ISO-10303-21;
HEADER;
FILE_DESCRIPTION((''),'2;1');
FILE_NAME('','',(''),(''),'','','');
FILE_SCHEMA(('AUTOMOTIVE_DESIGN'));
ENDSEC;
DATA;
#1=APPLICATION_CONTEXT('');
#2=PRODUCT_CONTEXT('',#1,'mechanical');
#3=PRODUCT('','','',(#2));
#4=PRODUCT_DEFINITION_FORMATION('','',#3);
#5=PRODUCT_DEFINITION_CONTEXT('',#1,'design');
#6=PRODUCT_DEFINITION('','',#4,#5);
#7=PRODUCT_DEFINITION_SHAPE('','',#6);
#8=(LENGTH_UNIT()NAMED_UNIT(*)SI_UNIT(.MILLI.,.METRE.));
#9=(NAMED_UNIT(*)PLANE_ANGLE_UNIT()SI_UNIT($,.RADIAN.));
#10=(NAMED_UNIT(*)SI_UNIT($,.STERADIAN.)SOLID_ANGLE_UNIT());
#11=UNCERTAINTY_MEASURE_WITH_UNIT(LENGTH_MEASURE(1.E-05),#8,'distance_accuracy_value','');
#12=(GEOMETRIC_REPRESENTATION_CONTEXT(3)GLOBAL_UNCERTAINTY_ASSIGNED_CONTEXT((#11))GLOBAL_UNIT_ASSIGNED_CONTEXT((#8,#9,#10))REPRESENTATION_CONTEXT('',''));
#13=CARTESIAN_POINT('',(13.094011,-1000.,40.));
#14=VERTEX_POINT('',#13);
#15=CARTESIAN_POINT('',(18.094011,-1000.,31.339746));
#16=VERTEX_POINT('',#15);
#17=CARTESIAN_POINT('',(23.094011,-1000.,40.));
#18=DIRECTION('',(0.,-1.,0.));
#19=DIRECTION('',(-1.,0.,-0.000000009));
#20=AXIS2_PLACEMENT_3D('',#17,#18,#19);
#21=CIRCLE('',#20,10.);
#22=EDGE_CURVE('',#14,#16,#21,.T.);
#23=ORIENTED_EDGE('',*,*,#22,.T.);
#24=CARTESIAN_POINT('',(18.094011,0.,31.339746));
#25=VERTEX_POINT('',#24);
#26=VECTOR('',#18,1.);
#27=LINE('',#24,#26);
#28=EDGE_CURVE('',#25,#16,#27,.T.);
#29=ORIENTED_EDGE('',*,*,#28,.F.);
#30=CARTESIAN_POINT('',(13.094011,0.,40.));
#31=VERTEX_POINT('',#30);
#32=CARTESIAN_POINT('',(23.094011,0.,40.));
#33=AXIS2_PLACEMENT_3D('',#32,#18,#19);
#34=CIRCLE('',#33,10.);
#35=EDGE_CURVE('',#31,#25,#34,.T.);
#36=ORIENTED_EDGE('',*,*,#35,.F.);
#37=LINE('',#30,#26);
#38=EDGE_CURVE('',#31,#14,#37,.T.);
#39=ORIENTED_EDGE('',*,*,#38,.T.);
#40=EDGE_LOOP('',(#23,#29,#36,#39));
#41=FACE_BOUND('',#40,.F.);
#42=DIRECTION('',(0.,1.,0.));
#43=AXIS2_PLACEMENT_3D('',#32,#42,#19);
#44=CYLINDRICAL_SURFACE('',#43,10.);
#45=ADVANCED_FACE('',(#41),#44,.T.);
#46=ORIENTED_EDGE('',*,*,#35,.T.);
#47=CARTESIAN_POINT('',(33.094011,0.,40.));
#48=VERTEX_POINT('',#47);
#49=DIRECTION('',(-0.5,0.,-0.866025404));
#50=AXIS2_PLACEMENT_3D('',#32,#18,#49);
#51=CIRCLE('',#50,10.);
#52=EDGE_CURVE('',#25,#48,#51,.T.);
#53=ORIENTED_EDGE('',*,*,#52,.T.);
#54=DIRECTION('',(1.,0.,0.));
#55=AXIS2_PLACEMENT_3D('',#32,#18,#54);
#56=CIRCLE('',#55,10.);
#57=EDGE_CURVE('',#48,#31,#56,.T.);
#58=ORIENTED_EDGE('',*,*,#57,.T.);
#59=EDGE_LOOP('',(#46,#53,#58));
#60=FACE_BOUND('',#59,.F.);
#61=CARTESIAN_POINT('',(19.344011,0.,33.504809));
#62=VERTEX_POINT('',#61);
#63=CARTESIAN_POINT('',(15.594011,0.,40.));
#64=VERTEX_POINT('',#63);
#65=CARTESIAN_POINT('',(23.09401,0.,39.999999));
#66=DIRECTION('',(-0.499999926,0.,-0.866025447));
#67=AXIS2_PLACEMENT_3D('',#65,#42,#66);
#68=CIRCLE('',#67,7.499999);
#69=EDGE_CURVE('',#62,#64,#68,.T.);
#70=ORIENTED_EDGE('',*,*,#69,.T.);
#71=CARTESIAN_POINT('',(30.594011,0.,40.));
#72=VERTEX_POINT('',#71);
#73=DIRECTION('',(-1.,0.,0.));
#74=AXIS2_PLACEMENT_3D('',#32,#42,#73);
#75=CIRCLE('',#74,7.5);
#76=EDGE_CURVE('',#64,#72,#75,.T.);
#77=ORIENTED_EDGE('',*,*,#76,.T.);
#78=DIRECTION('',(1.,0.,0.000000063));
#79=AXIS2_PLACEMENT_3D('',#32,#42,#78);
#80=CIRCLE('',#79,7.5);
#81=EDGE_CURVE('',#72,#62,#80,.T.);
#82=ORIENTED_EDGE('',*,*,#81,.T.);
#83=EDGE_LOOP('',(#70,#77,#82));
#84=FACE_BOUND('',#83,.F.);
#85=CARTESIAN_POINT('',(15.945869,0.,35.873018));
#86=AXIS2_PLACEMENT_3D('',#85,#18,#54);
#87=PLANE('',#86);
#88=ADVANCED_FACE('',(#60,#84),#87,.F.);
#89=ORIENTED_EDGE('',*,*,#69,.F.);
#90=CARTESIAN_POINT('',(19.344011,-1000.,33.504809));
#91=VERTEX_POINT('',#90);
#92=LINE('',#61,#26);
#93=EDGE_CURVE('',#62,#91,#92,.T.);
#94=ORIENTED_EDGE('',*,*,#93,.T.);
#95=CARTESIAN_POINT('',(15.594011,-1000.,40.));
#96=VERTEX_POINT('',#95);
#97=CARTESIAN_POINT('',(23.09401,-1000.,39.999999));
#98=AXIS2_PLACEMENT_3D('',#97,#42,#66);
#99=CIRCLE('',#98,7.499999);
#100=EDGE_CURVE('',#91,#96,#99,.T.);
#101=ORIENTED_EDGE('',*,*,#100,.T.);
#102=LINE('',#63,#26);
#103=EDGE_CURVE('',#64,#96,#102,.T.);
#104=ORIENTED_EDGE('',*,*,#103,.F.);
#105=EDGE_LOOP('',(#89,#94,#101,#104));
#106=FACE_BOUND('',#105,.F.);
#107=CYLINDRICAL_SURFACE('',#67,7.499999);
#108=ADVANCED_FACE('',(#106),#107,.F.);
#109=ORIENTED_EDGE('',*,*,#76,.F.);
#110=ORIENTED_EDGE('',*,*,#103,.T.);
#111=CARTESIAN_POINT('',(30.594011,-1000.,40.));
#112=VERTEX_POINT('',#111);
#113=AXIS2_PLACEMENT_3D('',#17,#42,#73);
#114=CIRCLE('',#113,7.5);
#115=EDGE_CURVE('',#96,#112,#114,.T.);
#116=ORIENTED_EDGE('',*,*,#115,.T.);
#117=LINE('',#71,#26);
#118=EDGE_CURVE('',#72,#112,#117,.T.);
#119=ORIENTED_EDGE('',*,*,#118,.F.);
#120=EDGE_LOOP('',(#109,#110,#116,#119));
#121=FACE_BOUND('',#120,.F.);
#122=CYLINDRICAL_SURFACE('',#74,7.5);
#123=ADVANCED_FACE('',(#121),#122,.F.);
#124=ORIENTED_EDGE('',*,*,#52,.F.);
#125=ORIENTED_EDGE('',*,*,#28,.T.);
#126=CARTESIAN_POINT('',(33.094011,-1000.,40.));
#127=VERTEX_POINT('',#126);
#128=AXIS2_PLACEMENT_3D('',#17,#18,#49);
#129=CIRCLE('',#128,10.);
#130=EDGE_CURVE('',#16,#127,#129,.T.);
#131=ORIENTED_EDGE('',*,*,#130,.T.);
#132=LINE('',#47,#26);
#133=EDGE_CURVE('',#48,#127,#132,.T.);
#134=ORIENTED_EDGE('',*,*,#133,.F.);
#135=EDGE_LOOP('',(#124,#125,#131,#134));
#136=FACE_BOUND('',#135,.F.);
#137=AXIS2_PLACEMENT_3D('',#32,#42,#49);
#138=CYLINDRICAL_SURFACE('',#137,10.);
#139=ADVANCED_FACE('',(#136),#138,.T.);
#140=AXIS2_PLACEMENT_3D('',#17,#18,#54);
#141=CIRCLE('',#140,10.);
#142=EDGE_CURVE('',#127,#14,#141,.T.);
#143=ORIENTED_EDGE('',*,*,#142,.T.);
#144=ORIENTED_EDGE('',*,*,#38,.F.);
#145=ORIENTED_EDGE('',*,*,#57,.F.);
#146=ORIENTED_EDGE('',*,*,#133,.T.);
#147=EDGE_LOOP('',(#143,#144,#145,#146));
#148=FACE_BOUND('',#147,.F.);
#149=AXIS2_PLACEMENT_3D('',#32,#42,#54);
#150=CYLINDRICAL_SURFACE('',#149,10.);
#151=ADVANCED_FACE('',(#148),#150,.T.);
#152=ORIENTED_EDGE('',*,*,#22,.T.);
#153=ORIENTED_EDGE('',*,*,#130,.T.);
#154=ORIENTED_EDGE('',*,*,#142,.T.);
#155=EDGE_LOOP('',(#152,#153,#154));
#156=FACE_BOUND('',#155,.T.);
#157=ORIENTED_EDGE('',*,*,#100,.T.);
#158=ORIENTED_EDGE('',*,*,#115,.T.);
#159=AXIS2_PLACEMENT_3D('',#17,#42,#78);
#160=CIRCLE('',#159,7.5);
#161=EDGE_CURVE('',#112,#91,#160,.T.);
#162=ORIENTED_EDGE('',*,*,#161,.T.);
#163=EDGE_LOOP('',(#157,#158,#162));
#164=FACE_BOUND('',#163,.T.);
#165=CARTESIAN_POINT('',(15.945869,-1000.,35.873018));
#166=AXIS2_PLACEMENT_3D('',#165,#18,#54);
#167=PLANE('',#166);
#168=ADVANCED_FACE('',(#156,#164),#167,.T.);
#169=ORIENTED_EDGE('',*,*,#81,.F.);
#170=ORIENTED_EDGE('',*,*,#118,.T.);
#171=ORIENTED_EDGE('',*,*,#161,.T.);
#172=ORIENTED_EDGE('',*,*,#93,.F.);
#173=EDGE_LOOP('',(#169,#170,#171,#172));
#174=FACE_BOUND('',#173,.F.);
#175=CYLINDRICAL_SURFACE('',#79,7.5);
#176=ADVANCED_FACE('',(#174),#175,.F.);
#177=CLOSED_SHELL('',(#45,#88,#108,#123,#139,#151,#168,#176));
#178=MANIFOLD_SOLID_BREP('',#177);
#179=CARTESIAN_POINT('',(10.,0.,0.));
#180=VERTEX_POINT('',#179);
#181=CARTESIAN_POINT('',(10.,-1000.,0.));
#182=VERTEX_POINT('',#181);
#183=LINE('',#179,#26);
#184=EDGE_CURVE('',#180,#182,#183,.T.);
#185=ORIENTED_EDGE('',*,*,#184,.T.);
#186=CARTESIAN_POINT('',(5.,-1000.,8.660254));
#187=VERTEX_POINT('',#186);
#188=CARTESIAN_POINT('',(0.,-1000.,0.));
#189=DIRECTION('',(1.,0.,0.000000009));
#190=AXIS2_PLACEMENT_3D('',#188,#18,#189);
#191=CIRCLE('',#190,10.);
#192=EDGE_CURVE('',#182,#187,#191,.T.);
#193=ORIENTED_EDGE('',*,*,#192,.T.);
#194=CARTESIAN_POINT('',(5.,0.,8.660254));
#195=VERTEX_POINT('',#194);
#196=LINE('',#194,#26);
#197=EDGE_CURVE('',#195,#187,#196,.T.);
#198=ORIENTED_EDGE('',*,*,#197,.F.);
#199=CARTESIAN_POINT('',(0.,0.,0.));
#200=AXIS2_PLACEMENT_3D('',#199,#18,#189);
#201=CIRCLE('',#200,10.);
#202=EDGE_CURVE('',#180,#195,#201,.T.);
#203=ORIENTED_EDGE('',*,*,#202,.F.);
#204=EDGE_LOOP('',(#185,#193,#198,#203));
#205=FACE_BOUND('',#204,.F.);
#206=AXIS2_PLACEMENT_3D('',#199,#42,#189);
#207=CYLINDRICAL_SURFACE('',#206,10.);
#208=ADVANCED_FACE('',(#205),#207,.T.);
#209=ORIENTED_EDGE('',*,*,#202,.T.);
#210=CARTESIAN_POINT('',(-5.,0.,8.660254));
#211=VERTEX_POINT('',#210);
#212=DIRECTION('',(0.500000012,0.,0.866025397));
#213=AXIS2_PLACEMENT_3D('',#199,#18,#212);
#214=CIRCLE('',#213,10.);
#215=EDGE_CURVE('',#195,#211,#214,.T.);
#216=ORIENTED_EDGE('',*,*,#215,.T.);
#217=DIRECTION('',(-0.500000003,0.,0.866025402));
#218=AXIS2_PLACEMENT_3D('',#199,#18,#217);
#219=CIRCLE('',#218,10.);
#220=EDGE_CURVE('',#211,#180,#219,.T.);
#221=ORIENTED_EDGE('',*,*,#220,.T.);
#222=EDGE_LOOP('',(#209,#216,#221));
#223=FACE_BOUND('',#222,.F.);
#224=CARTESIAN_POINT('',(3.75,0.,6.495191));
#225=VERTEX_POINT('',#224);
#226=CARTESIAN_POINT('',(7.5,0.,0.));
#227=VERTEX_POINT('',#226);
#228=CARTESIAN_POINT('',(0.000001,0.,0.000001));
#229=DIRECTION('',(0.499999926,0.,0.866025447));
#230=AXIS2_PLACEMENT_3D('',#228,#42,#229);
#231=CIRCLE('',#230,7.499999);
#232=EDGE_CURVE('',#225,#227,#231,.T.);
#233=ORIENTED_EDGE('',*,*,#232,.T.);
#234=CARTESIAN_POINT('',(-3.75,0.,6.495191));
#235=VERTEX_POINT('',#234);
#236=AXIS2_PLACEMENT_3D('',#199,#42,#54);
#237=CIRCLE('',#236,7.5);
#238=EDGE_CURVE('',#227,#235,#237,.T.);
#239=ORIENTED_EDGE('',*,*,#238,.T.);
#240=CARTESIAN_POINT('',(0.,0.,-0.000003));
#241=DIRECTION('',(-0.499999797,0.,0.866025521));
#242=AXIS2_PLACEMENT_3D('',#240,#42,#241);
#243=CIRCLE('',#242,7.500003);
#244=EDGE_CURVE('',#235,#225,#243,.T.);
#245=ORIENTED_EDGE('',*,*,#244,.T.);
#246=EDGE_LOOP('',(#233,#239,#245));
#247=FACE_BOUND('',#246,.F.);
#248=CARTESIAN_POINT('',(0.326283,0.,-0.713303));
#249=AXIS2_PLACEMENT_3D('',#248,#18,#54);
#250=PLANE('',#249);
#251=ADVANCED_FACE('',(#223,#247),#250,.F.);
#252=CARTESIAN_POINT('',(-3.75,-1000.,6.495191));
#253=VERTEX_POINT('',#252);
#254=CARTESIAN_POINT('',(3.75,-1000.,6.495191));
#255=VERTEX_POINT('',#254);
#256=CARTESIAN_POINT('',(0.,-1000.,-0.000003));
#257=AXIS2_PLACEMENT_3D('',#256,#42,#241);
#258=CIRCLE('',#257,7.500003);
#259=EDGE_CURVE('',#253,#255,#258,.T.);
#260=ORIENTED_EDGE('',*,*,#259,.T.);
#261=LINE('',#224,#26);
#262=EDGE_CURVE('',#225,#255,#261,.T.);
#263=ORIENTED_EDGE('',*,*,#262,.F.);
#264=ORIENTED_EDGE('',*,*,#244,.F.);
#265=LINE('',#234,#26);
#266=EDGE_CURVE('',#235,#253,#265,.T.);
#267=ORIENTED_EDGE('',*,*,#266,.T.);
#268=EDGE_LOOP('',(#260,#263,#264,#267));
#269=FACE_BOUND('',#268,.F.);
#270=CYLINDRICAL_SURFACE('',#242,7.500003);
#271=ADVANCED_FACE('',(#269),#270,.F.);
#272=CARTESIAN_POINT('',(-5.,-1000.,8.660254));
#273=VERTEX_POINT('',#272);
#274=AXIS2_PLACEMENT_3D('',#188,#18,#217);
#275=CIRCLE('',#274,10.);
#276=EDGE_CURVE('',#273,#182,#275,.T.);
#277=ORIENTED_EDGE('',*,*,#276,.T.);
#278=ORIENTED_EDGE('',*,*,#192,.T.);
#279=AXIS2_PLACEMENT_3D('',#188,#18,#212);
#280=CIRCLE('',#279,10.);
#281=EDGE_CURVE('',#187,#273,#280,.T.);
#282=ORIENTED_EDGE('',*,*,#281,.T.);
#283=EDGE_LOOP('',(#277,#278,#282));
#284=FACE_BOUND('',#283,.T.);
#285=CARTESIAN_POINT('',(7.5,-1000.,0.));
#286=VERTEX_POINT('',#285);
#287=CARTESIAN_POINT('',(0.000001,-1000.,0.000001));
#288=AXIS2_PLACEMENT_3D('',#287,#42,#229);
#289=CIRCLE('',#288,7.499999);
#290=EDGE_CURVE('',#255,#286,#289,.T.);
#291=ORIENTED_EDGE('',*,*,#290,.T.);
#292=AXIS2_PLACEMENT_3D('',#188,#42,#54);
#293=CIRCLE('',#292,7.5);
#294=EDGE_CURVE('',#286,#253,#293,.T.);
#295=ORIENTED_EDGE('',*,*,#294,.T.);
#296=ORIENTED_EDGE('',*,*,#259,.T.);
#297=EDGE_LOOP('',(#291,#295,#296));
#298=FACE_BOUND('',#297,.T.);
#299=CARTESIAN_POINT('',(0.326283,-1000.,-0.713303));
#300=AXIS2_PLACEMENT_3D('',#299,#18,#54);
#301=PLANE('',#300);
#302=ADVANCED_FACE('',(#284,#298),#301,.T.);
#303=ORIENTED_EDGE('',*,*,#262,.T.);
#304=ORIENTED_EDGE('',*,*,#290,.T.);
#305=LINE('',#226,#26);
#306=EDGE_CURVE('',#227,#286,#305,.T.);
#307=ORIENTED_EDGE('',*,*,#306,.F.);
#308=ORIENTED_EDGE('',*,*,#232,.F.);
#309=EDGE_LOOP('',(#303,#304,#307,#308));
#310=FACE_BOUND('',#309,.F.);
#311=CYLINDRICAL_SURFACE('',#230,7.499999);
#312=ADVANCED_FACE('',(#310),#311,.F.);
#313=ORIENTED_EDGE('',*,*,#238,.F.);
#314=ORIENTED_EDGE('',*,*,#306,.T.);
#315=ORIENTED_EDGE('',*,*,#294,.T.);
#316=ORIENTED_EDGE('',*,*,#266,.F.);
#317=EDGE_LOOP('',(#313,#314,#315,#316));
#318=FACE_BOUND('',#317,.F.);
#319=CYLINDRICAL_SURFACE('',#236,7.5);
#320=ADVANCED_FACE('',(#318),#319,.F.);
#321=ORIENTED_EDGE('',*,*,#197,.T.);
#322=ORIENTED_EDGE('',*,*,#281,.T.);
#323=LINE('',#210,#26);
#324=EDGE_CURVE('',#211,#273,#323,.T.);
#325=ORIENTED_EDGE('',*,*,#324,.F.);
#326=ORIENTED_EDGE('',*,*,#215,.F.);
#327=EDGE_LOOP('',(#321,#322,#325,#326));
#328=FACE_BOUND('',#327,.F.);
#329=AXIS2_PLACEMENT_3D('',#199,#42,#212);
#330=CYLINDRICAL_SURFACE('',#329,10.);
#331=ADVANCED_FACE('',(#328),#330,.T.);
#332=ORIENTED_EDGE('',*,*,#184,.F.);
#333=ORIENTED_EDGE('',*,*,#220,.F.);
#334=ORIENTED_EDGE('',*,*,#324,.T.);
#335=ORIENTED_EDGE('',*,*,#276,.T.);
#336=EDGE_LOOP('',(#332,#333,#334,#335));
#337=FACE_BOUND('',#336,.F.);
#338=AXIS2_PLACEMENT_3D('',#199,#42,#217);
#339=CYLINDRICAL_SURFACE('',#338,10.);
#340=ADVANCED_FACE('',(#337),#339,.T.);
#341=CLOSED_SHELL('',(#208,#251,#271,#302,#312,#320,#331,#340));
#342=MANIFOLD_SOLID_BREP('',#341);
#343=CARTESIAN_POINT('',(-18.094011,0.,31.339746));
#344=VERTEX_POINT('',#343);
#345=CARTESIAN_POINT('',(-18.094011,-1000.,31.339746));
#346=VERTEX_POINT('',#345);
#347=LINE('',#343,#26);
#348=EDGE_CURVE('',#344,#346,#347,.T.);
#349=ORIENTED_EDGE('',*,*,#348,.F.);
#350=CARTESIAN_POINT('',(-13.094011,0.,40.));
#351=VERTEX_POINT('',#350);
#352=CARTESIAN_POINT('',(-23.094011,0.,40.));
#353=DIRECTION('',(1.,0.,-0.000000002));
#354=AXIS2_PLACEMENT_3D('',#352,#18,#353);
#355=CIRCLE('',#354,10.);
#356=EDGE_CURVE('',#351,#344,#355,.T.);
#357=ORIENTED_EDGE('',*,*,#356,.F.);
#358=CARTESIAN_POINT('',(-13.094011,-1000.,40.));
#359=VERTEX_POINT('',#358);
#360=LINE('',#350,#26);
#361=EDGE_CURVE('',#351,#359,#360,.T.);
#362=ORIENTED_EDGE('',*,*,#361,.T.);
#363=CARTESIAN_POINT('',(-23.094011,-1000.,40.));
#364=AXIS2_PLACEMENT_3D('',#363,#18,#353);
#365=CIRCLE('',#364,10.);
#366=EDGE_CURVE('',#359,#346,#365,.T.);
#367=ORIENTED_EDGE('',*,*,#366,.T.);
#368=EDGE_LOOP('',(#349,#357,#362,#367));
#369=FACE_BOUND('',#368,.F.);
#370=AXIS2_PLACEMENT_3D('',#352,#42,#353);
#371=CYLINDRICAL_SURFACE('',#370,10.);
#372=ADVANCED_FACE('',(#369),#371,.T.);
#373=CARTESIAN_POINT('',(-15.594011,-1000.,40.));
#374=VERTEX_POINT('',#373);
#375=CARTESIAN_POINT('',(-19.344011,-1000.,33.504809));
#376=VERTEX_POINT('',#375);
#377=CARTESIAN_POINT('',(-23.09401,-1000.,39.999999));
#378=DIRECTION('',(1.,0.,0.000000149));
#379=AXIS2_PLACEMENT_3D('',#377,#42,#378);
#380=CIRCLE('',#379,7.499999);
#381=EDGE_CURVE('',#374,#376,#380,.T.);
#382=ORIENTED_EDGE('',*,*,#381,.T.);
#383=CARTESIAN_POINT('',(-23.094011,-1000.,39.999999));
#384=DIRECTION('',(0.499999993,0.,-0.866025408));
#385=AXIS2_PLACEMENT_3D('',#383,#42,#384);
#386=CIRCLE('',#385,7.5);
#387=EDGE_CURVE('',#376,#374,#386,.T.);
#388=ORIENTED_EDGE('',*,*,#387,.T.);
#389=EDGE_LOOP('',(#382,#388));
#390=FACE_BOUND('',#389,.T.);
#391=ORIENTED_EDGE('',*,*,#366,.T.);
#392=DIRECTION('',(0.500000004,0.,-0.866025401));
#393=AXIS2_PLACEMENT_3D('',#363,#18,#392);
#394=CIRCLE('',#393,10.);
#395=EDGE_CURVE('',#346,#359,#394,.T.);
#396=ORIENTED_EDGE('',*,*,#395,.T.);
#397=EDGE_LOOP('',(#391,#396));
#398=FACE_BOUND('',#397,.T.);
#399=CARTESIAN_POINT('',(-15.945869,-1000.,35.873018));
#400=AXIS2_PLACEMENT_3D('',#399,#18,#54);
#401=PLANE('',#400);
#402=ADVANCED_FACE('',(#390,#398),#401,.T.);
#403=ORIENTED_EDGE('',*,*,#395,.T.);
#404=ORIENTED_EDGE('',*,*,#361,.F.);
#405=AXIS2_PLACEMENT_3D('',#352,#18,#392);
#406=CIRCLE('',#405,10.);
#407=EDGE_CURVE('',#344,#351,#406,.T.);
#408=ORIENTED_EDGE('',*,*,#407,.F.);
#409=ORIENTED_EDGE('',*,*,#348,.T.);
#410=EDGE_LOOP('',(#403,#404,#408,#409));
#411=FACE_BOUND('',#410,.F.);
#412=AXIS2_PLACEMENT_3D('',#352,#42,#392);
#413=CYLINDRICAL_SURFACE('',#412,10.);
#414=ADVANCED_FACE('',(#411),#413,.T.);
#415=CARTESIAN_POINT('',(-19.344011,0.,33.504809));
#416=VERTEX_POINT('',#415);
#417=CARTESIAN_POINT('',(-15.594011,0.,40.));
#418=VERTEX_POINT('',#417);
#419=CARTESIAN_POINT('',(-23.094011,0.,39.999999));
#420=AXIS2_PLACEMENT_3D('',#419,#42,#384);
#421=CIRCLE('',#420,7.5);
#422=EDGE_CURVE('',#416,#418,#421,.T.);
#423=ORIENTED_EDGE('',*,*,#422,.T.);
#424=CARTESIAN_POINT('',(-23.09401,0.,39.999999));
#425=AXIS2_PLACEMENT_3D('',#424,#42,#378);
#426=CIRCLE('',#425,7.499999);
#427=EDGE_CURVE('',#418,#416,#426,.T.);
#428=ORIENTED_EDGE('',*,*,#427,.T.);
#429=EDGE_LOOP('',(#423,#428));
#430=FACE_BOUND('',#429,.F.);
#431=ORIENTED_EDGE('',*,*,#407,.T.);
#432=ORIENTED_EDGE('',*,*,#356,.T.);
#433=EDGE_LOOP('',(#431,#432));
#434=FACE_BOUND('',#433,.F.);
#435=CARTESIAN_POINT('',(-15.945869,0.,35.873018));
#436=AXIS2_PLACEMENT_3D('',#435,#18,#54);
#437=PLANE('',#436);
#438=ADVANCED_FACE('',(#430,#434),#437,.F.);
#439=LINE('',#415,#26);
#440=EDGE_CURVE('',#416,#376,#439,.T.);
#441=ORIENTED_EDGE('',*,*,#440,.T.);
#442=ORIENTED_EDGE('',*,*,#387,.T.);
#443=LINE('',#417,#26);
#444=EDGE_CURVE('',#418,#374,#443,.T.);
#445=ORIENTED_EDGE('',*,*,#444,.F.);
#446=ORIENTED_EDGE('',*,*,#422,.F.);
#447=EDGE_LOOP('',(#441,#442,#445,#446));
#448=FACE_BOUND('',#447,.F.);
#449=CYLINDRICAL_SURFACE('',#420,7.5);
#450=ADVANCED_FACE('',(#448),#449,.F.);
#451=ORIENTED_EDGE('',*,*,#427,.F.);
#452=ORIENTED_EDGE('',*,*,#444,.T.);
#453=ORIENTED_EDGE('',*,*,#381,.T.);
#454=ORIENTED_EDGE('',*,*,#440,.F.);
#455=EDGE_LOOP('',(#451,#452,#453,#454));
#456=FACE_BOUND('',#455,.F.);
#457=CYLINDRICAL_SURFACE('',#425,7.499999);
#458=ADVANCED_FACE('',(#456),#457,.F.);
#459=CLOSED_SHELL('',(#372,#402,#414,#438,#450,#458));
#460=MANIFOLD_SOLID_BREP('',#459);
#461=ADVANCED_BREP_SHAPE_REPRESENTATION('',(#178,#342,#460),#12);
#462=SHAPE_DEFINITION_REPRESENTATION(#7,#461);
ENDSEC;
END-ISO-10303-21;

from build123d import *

# Parameters (mm, degrees)
F1_DEPTH = 1000


with BuildPart() as f1:
    # F0 (on Front) → F1 (new body)
    with BuildSketch(Plane.XZ):
        with BuildLine():
            Line((-19.344011, 33.504809), (-18.094011, 31.339746))
            ThreePointArc((-18.094011, 31.339746), (-14.433757, 35), (-13.094011, 40))
            Line((-13.094011, 40), (-15.594011, 40))
            ThreePointArc((-15.594011, 40), (-16.59882, 36.25), (-19.344011, 33.504809))
        make_face()
        with BuildLine():
            ThreePointArc((-13.094011, 40), (-31.754265, 45), (-18.094011, 31.339746))
            Line((-18.094011, 31.339746), (-19.344011, 33.504809))
            ThreePointArc((-19.344011, 33.504809), (-29.589201, 43.75), (-15.594011, 40))
            Line((-15.594011, 40), (-13.094011, 40))
        make_face()
        with BuildLine():
            ThreePointArc((13.094011, 40), (14.433757, 35), (18.094011, 31.339746))
            Line((18.094011, 31.339746), (19.344011, 33.504809))
            ThreePointArc((19.344011, 33.504809), (16.59882, 36.25), (15.594011, 40))
            Line((15.594011, 40), (13.094011, 40))
        make_face()
        with BuildLine():
            Line((19.344011, 33.504809), (18.094011, 31.339746))
            ThreePointArc((18.094011, 31.339746), (28.094011, 31.339746), (33.094011, 40))
            ThreePointArc((33.094011, 40), (23.094011, 50), (13.094011, 40))
            Line((13.094011, 40), (15.594011, 40))
            ThreePointArc((15.594011, 40), (23.094011, 47.5), (30.594011, 40))
            ThreePointArc((30.594011, 40), (26.844011, 33.504809), (19.344011, 33.504809))
        make_face()
        with BuildLine():
            ThreePointArc((-5, 8.660254), (-5, -8.660254), (10, 0))
            ThreePointArc((10, 0), (8.660254, 5), (5, 8.660254))
            Line((5, 8.660254), (3.75, 6.495191))
            ThreePointArc((3.75, 6.495191), (6.495191, 3.75), (7.5, 0))
            ThreePointArc((7.5, 0), (-3.75, -6.495191), (-3.75, 6.495191))
            Line((-3.75, 6.495191), (-5, 8.660254))
        make_face()
        with BuildLine():
            Line((3.75, 6.495191), (5, 8.660254))
            ThreePointArc((5, 8.660254), (0, 10), (-5, 8.660254))
            Line((-5, 8.660254), (-3.75, 6.495191))
            ThreePointArc((-3.75, 6.495191), (0, 7.5), (3.75, 6.495191))
        make_face()
    extrude(amount=F1_DEPTH)


solid = f1.part
